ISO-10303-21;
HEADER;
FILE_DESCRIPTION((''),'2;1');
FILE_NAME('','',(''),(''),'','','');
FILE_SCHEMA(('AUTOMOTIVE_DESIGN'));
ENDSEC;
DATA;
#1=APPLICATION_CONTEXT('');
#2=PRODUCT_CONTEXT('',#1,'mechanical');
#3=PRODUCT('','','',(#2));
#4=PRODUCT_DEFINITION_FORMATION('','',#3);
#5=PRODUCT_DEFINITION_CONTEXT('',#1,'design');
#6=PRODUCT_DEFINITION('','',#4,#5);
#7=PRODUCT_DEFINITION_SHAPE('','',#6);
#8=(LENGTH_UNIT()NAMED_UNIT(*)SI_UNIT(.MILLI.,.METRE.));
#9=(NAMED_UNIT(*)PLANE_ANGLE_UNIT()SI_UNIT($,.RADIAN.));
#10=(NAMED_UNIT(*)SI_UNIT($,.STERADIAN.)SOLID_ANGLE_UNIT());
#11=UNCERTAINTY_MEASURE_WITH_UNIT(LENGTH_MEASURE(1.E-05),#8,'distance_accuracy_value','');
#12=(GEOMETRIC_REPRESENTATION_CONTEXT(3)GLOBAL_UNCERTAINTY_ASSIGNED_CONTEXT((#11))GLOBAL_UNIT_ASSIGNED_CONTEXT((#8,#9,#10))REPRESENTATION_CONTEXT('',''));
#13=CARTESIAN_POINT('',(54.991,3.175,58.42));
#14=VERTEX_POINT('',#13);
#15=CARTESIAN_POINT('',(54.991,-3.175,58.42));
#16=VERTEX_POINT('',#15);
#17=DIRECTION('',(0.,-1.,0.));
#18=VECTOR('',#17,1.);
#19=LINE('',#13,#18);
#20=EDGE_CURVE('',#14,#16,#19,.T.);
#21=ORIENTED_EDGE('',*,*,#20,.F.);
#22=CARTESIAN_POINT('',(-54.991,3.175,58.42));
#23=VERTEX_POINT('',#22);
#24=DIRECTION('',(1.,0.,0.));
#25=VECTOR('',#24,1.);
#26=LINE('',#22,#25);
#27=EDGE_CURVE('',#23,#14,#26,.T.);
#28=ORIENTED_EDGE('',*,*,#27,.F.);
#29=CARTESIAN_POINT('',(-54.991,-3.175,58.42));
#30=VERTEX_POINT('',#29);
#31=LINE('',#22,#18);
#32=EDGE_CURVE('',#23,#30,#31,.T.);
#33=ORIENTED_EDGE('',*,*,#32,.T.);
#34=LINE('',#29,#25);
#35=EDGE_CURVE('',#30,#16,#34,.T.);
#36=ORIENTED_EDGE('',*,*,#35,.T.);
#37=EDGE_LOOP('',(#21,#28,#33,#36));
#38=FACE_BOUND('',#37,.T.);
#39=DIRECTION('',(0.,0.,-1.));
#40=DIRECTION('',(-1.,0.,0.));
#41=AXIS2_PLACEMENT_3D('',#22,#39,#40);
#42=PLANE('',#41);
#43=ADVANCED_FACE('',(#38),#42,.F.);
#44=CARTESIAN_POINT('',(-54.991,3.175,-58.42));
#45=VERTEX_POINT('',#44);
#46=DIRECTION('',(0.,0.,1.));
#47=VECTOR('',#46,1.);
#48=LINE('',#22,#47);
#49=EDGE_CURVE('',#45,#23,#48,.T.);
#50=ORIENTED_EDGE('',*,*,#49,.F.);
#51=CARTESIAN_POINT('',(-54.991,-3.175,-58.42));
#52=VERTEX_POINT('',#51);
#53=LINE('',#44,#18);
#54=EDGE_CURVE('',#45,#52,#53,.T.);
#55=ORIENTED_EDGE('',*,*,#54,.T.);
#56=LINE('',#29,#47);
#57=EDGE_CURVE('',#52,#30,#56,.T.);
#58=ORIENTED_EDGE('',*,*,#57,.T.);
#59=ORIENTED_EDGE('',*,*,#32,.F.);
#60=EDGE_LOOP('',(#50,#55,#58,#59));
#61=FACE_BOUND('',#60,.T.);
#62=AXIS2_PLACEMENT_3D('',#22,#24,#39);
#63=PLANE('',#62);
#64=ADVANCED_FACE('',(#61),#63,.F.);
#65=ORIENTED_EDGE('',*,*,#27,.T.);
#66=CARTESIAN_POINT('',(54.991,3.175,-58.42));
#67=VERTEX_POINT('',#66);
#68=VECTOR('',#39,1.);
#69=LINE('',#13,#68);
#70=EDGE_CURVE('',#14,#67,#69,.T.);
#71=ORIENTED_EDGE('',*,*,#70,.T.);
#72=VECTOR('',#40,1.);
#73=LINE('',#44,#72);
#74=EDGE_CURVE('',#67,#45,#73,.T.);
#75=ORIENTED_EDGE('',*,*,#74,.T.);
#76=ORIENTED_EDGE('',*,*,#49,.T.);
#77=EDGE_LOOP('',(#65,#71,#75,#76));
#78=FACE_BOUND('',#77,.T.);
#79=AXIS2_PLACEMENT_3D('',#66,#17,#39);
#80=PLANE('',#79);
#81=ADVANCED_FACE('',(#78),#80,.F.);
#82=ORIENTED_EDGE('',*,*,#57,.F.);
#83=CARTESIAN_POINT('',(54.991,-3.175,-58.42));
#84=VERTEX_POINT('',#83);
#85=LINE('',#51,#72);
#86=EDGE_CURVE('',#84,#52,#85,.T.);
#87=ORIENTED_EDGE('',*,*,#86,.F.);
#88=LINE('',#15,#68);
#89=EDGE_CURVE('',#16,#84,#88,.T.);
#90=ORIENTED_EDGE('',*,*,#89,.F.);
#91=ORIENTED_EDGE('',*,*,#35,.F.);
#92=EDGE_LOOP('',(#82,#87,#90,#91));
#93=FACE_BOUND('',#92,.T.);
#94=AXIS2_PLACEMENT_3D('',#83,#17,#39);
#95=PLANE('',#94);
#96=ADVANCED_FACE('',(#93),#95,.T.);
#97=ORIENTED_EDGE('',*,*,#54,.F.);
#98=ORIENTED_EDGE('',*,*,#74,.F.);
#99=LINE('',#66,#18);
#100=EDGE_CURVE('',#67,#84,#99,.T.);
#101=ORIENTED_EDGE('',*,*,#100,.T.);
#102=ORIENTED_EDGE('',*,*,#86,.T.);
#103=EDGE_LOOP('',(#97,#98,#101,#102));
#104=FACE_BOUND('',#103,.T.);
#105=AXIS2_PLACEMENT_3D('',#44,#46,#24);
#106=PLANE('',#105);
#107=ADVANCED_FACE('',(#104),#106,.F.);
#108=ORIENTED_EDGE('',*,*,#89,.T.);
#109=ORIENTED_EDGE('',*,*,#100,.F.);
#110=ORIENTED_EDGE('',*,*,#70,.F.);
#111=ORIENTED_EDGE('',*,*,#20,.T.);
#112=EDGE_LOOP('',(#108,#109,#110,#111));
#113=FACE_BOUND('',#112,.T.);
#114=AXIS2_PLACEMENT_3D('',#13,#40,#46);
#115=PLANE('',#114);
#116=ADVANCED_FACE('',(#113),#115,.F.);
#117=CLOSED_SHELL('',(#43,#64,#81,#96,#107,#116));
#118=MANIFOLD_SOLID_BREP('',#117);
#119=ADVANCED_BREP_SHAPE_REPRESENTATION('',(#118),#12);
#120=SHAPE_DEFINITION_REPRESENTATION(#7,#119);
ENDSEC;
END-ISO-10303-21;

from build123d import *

# Parameters (mm, degrees)
SKETCH1_W           = 109.982
SKETCH1_H           = 116.84
BOSS_EXTRUDE1_DEPTH = 3.175


with BuildPart() as part:
    # Sketch1 → Boss-Extrude1 (new body, symmetric)
    with BuildSketch(Plane(origin=(0, 0, 0), x_dir=(1, 0, 0), z_dir=(0, 1, 0))):
        Rectangle(SKETCH1_W, SKETCH1_H)
    extrude(amount=BOSS_EXTRUDE1_DEPTH, both=True)


solid = part.part
